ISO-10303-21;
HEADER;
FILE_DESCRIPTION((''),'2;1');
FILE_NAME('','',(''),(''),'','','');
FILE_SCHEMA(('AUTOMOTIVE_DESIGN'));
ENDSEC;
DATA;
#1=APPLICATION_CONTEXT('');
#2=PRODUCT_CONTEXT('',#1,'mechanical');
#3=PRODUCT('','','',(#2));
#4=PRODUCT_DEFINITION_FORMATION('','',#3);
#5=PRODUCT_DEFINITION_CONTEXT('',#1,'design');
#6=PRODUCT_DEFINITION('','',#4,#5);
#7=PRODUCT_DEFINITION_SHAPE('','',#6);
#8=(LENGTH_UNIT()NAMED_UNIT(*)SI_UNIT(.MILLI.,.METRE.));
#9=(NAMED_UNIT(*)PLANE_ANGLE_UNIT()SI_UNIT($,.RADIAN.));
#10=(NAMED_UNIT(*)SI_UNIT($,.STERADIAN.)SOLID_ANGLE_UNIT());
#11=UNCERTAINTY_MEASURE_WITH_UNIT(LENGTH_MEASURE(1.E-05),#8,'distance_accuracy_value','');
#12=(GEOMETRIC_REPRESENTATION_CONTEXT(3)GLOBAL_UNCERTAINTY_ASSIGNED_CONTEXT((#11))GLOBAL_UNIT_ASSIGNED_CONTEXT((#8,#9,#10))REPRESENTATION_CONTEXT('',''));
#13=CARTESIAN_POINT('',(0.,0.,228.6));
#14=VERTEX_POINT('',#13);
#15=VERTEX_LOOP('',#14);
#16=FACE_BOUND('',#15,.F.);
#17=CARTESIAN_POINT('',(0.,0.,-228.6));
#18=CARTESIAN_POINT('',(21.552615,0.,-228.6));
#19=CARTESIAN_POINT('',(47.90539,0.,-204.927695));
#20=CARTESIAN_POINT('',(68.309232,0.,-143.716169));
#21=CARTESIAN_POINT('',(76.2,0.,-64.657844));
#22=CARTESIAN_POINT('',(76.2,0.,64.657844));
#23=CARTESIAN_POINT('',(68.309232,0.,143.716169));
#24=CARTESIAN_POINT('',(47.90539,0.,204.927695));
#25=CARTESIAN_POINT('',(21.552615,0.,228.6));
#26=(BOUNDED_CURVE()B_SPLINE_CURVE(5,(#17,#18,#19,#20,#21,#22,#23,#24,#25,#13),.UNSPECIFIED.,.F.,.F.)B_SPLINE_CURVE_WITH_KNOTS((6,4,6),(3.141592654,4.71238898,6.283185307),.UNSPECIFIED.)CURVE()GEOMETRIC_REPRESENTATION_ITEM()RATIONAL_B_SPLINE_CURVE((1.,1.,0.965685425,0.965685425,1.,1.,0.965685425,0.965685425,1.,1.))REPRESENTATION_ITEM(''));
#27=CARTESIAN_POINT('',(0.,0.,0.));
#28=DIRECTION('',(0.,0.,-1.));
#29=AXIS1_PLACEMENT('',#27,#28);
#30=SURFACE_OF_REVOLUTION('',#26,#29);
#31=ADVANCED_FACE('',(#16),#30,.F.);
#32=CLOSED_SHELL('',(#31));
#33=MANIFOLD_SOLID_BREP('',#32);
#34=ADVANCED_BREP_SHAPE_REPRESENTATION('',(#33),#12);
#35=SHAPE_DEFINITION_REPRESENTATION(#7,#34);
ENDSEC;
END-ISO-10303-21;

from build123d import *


with BuildPart() as f1:
    # F0 (on Front) → F1 (revolve)
    with BuildSketch(Plane.XZ):
        with BuildLine():
            add(Edge.make_bspline(
                [(76.2, 0), (76.2, 228.6), (0, 228.6)],
                knots=[4.7123889804, 4.7123889804, 4.7123889804, 6.2831853072, 6.2831853072, 6.2831853072], degree=2, weights=[1, 0.7071067812, 1]))
            Line((0, 228.6), (0, 0))
            Line((0, 0), (76.2, 0))
        make_face()
        with BuildLine():
            add(Edge.make_bspline(
                [(0, -228.6), (76.2, -228.6), (76.2, 0)],
                knots=[3.1415926536, 3.1415926536, 3.1415926536, 4.7123889804, 4.7123889804, 4.7123889804], degree=2, weights=[1, 0.7071067812, 1]))
            Line((76.2, 0), (0, 0))
            Line((0, 0), (0, -228.6))
        make_face()
    revolve(axis=Axis((0, 0, 0), (0, 0, -1)))


solid = f1.part
